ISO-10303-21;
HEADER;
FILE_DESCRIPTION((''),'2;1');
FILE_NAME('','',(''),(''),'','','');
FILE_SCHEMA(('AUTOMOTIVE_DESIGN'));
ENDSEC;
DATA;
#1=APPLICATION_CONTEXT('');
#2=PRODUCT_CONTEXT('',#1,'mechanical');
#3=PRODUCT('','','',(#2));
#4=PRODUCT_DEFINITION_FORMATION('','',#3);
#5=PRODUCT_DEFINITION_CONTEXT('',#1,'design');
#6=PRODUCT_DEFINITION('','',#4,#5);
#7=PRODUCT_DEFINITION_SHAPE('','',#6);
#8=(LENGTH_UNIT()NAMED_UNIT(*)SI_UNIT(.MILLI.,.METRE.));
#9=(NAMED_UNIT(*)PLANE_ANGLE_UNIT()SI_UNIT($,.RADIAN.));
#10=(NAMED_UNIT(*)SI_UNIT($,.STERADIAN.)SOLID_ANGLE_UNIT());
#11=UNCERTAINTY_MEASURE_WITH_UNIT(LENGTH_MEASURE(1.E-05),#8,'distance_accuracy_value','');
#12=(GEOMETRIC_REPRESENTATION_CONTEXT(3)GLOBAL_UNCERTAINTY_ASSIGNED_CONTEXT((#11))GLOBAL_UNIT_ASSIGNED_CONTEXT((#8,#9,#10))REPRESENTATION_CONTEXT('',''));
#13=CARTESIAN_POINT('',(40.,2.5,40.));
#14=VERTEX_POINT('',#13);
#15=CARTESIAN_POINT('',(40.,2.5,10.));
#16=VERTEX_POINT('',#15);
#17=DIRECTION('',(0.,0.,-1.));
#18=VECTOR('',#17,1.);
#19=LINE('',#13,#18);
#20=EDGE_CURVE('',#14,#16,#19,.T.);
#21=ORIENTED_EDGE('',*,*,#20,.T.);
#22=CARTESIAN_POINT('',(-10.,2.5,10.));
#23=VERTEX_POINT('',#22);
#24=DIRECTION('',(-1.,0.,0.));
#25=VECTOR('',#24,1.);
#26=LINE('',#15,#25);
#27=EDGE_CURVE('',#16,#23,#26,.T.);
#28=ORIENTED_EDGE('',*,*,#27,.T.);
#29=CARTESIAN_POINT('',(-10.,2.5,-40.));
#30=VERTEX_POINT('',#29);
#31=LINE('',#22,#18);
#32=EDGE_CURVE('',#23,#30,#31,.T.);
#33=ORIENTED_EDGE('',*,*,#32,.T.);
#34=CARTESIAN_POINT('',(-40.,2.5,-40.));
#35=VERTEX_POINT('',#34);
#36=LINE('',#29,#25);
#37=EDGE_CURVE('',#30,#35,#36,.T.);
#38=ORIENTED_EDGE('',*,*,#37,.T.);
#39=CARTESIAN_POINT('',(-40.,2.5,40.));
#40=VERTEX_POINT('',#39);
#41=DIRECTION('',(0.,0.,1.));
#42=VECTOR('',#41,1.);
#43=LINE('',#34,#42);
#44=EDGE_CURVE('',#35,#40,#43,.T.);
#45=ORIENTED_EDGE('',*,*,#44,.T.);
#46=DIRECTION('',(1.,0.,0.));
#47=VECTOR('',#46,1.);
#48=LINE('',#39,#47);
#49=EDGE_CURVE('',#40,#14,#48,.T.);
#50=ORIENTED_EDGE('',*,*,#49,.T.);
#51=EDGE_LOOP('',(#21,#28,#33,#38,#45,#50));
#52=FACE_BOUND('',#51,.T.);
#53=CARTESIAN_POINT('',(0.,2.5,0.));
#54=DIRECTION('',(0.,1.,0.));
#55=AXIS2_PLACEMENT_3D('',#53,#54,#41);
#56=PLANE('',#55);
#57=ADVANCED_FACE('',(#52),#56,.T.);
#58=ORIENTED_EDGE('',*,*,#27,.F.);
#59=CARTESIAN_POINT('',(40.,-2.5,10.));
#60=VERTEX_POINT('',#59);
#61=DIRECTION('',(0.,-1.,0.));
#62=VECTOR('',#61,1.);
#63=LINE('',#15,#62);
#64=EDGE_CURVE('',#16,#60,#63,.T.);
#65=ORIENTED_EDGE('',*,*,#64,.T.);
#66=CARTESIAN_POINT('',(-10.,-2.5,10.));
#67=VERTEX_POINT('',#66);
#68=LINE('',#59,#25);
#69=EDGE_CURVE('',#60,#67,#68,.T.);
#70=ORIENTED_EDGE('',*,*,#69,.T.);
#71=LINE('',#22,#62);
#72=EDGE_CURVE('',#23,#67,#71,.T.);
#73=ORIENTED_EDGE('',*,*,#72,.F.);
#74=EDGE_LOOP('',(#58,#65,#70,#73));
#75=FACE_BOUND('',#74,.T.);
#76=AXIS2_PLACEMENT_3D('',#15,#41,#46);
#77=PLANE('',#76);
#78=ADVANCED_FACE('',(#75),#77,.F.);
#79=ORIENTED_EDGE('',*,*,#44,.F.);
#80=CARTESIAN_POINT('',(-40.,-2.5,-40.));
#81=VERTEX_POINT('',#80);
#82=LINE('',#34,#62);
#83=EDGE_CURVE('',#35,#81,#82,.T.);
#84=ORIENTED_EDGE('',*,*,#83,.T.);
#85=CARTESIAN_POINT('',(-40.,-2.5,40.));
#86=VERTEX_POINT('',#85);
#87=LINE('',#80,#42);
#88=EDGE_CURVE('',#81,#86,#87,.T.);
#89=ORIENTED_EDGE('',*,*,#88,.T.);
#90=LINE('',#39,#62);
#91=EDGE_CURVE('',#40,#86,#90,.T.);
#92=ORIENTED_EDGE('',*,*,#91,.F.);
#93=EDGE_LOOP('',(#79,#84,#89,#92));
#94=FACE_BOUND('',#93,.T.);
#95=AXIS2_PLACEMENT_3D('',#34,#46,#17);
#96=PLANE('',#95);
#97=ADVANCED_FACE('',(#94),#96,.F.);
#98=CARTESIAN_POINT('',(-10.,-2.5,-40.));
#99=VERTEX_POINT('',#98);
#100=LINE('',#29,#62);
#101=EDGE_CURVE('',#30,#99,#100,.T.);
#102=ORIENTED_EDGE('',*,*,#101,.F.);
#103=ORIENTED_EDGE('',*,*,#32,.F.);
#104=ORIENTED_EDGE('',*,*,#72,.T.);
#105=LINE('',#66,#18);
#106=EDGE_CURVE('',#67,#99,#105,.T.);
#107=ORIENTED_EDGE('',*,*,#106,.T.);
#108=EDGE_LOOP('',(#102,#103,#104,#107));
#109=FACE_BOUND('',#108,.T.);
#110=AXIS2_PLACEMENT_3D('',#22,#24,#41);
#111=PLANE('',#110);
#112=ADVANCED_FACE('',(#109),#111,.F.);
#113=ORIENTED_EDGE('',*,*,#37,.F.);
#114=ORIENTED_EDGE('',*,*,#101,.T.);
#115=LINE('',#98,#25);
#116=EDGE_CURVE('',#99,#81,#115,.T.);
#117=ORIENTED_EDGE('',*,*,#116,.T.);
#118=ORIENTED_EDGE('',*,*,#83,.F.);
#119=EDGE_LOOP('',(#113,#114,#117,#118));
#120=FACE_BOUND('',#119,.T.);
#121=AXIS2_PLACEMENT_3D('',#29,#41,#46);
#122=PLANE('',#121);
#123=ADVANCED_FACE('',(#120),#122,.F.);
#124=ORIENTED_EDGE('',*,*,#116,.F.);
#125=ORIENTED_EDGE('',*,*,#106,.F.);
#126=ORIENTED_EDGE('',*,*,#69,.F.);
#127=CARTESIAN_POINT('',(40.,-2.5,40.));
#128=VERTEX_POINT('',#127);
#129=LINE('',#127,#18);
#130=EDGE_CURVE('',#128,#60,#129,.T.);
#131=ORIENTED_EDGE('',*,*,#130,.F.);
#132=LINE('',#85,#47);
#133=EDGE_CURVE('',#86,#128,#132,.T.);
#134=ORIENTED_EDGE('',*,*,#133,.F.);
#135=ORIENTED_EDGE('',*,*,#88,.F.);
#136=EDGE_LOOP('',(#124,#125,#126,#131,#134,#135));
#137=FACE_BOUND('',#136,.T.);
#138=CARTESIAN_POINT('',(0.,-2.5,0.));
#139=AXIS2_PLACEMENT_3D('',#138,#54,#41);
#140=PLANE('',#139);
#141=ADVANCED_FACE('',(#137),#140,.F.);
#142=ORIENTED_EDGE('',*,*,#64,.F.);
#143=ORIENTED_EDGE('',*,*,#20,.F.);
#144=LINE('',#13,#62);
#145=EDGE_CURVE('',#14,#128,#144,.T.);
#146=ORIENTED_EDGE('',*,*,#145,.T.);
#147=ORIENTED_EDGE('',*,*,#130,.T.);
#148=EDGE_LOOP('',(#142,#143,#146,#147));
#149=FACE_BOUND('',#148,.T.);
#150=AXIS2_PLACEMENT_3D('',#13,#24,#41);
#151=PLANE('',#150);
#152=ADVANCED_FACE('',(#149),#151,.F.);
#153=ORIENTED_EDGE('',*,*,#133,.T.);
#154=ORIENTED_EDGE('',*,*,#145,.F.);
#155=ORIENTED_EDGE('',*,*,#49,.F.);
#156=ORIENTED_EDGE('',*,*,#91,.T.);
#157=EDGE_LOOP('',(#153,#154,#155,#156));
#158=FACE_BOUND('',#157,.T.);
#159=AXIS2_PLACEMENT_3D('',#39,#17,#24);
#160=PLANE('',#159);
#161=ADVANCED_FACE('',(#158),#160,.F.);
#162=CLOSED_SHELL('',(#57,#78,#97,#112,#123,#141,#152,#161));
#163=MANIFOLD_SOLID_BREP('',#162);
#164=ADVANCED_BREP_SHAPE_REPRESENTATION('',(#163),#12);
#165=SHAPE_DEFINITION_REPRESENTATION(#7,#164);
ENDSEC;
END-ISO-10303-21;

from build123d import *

# Parameters (mm, degrees)
BOSS_EXTRUDE1_DEPTH = 2.5


with BuildPart() as part:
    # Sketch1 → Boss-Extrude1 (new, symmetric)
    with BuildSketch(Plane(origin=(0, 0, 0), x_dir=(1, 0, 0), z_dir=(0, 1, 0))):
        Polygon((-40, 40), (-40, -40), (40, -40), (40, -10), (-10, -10), (-10, 40), align=None)
    extrude(amount=BOSS_EXTRUDE1_DEPTH, both=True)


solid = part.part
